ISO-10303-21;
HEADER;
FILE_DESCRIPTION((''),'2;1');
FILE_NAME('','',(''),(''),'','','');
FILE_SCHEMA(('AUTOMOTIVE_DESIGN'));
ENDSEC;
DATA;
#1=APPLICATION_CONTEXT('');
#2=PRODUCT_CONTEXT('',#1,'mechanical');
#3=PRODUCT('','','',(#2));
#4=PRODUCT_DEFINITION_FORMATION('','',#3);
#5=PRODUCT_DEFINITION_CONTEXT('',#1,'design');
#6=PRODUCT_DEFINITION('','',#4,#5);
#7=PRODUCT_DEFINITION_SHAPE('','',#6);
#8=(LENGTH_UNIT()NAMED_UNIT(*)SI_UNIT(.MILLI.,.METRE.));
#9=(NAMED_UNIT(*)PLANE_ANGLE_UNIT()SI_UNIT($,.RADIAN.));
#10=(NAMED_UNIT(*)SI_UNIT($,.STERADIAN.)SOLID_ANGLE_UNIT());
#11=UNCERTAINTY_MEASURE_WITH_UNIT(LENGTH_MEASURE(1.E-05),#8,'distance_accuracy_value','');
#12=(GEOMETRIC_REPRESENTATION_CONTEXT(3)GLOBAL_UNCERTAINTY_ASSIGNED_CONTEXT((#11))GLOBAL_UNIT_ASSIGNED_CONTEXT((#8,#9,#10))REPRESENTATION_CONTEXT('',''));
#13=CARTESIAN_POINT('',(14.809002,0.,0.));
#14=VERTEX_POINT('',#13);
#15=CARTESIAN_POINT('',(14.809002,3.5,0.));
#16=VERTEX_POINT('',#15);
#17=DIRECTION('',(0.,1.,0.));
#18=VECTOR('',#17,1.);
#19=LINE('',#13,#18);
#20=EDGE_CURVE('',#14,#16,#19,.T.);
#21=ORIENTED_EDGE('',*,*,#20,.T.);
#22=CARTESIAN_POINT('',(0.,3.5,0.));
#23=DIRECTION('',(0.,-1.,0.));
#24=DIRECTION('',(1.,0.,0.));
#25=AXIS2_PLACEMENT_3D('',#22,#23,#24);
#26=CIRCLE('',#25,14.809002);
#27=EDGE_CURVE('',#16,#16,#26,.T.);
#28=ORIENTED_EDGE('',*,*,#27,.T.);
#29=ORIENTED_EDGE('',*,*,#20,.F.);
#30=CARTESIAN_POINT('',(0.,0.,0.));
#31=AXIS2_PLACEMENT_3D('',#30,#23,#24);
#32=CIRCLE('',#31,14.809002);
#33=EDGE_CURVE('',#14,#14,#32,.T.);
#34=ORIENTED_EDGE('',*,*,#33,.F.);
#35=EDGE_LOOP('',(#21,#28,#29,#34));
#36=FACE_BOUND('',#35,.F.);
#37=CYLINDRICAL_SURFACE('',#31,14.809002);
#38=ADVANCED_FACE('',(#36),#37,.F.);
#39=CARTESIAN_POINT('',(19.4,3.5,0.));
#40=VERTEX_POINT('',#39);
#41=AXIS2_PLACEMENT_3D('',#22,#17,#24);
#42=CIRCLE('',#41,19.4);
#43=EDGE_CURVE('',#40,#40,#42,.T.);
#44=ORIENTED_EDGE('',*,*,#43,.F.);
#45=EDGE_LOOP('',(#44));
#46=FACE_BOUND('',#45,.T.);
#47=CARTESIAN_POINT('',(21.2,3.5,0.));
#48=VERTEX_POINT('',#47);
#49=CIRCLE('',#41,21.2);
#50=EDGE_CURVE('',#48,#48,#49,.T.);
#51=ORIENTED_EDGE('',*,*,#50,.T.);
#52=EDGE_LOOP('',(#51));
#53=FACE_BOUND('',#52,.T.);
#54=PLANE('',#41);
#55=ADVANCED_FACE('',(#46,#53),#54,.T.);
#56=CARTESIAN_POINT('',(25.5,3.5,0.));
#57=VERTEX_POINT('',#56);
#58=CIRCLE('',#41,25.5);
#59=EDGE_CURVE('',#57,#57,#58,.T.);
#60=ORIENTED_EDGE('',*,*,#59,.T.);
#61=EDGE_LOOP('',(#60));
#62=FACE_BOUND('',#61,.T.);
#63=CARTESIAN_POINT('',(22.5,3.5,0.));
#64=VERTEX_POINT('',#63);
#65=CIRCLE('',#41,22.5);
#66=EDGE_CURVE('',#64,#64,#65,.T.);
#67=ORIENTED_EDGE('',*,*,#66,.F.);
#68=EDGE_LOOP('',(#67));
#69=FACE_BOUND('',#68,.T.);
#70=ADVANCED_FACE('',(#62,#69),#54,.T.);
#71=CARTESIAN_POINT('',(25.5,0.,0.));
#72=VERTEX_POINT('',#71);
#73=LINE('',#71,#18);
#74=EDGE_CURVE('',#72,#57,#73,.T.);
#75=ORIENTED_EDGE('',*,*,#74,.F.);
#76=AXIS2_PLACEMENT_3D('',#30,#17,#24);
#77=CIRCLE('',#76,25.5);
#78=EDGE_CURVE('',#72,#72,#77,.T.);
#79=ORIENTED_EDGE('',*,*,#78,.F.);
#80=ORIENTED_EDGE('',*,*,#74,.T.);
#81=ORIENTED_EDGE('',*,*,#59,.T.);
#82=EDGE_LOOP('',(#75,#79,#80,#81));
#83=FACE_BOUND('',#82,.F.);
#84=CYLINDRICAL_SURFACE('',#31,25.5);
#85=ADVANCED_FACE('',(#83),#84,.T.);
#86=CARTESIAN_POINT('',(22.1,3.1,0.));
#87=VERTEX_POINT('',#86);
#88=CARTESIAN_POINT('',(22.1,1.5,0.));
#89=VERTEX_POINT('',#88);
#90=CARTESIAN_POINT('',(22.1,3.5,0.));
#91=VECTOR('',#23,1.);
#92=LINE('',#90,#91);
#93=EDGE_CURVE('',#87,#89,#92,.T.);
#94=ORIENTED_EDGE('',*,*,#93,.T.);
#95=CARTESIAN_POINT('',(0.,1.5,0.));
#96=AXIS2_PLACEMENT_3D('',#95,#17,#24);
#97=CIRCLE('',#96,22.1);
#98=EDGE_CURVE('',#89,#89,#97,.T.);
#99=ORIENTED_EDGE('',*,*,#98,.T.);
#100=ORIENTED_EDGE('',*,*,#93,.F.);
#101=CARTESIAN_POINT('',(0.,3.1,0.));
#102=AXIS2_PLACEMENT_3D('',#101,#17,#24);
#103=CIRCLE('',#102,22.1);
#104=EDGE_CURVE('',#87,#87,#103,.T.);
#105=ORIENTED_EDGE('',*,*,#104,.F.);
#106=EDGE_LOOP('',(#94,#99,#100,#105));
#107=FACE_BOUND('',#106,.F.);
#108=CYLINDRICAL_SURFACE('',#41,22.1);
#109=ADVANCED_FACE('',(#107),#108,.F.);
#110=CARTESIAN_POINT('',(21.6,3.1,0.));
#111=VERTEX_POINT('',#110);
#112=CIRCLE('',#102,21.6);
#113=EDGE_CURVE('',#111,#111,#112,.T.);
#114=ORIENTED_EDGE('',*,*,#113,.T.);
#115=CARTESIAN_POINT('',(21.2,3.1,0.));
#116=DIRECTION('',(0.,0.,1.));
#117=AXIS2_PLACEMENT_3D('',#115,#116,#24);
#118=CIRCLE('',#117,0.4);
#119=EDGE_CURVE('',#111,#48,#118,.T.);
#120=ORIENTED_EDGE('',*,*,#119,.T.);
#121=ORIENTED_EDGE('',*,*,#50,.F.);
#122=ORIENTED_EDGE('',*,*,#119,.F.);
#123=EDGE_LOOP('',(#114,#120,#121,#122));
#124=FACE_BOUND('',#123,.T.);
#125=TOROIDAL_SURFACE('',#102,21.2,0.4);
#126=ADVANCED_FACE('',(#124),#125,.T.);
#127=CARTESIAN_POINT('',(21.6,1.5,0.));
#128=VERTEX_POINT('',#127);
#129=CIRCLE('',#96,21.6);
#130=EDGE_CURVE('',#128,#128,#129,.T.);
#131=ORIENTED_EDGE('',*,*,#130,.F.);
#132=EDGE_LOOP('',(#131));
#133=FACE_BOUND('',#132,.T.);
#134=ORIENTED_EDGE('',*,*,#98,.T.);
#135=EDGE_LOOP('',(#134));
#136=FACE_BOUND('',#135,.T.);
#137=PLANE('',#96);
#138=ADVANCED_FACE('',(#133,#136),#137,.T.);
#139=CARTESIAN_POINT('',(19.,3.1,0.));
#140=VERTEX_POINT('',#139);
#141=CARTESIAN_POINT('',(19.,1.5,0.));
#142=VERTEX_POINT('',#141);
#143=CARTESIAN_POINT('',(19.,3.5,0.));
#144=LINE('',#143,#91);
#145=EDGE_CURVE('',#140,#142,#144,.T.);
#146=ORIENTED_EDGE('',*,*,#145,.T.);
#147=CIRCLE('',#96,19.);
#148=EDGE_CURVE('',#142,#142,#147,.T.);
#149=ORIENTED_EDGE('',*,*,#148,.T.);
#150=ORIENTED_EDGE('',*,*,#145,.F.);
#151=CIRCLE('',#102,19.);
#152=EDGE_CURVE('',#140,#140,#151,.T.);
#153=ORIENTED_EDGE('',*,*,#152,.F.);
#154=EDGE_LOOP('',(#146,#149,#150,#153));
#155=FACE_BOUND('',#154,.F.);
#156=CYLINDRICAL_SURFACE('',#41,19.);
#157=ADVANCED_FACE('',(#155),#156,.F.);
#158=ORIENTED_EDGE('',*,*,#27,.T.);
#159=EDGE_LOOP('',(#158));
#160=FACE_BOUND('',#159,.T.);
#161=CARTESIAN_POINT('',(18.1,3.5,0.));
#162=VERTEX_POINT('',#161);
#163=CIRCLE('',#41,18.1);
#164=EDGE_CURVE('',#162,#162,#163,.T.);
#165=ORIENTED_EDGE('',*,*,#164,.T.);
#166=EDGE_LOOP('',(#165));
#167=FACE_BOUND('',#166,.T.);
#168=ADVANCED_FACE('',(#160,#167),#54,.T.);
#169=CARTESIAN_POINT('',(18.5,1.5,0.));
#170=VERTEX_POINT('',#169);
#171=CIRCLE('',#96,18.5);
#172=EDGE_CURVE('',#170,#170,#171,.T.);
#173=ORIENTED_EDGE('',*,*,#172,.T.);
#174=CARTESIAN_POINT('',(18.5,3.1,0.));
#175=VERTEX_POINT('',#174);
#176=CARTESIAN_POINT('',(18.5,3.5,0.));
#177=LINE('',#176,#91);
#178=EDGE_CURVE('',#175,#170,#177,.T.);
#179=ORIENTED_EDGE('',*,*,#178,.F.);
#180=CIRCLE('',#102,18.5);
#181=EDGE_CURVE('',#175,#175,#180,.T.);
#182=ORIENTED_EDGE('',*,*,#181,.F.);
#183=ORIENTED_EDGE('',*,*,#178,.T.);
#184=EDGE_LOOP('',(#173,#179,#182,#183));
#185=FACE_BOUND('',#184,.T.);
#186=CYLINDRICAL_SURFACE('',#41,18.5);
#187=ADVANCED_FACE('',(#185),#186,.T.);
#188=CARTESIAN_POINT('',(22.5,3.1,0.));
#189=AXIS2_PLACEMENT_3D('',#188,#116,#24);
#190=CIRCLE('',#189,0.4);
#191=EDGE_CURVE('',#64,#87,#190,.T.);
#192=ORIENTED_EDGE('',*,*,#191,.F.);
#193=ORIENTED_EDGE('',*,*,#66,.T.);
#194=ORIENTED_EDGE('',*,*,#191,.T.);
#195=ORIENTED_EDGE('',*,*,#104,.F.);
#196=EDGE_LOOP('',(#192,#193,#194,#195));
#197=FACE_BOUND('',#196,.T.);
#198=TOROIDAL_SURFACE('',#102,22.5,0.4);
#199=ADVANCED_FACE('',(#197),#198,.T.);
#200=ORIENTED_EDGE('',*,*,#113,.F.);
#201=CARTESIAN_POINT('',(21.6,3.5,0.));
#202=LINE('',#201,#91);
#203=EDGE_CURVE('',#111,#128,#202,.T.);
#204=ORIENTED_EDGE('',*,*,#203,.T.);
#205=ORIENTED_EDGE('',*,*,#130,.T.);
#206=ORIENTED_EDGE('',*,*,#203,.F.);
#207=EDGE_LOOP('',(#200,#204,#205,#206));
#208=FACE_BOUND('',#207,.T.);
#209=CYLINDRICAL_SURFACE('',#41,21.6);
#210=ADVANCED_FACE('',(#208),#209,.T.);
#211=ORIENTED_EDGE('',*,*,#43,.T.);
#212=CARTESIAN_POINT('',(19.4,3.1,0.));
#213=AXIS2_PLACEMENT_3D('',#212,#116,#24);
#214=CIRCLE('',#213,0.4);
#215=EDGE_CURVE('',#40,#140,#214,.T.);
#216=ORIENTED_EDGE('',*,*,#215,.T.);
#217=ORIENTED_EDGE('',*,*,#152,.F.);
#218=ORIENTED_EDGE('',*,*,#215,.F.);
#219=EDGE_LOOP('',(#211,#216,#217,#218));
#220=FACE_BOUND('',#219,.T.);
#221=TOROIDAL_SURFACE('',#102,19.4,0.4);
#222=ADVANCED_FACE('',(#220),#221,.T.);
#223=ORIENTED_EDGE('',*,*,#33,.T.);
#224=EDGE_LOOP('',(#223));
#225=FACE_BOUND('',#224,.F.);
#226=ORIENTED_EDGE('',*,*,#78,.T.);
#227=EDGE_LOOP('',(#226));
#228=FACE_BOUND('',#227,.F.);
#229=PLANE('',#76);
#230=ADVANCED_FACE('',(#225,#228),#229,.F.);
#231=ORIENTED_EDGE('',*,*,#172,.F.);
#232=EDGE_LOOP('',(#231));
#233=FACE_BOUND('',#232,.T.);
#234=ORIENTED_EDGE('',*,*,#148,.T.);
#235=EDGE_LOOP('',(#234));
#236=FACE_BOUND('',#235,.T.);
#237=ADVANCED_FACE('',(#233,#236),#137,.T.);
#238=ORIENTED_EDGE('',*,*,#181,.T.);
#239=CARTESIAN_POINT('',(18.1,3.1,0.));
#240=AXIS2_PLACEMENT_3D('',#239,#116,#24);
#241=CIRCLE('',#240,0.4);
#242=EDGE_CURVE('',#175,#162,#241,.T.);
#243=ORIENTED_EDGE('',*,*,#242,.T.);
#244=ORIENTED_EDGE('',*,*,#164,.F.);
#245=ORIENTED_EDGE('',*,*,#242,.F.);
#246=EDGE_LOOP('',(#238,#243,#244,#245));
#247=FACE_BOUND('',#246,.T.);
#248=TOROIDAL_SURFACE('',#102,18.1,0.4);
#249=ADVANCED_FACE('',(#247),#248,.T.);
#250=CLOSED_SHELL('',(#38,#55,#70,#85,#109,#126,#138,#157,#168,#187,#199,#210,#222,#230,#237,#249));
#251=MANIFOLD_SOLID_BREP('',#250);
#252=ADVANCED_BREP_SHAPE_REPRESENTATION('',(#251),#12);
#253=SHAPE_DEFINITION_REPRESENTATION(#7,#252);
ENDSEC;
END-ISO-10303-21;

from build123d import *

# Parameters (mm, degrees)
SKETCH_1_R          = 25.5
EXTRUDE_1_DEPTH     = 3.5
SKETCH_2_R          = 19
SKETCH_2_R_2        = 18.5
CUT_EXTRUDE_1_DEPTH = 2
SKETCH_3_R          = 22.1
SKETCH_3_R_2        = 21.6
CUT_EXTRUDE_2_DEPTH = 2
FILLET_1_R          = 0.4
SKETCH_4_R          = 14.809002025
CUT_EXTRUDE_3_DEPTH = 10


with BuildPart() as part:
    # 草图1 → 凸台-拉伸1 (new body)
    with BuildSketch(Plane(origin=(0, 0, 0), x_dir=(1, 0, 0), z_dir=(0, 1, 0))):
        Circle(SKETCH_1_R)
    extrude(amount=EXTRUDE_1_DEPTH)

    # 草图2 → 切除-拉伸1 (cut)
    with BuildSketch(Plane(origin=(0, 3.5, 0), x_dir=(1, 0, 0), z_dir=(0, 1, 0))):
        Circle(SKETCH_2_R)
        Circle(SKETCH_2_R_2, mode=Mode.SUBTRACT)
    extrude(amount=-CUT_EXTRUDE_1_DEPTH, mode=Mode.SUBTRACT)

    # 草图3 → 切除-拉伸2 (cut)
    with BuildSketch(Plane(origin=(0, 3.5, 0), x_dir=(1, 0, 0), z_dir=(0, 1, 0))):
        Circle(SKETCH_3_R)
        Circle(SKETCH_3_R_2, mode=Mode.SUBTRACT)
    extrude(amount=-CUT_EXTRUDE_2_DEPTH, mode=Mode.SUBTRACT)

    # 圆角1
    fillet_1_edges = [part.edges().sort_by_distance(p)[0] for p in [
        (-22.1, 3.5, 0),
        (-21.6, 3.5, 0),
        (-19, 3.5, 0),
        (-18.5, 3.5, 0),
    ]]
    fillet(fillet_1_edges, radius=FILLET_1_R)

    # 草图4 → 切除-拉伸3 (cut)
    with BuildSketch(Plane.XZ):
        Circle(SKETCH_4_R)
    extrude(amount=-CUT_EXTRUDE_3_DEPTH, mode=Mode.SUBTRACT)


solid = part.part
